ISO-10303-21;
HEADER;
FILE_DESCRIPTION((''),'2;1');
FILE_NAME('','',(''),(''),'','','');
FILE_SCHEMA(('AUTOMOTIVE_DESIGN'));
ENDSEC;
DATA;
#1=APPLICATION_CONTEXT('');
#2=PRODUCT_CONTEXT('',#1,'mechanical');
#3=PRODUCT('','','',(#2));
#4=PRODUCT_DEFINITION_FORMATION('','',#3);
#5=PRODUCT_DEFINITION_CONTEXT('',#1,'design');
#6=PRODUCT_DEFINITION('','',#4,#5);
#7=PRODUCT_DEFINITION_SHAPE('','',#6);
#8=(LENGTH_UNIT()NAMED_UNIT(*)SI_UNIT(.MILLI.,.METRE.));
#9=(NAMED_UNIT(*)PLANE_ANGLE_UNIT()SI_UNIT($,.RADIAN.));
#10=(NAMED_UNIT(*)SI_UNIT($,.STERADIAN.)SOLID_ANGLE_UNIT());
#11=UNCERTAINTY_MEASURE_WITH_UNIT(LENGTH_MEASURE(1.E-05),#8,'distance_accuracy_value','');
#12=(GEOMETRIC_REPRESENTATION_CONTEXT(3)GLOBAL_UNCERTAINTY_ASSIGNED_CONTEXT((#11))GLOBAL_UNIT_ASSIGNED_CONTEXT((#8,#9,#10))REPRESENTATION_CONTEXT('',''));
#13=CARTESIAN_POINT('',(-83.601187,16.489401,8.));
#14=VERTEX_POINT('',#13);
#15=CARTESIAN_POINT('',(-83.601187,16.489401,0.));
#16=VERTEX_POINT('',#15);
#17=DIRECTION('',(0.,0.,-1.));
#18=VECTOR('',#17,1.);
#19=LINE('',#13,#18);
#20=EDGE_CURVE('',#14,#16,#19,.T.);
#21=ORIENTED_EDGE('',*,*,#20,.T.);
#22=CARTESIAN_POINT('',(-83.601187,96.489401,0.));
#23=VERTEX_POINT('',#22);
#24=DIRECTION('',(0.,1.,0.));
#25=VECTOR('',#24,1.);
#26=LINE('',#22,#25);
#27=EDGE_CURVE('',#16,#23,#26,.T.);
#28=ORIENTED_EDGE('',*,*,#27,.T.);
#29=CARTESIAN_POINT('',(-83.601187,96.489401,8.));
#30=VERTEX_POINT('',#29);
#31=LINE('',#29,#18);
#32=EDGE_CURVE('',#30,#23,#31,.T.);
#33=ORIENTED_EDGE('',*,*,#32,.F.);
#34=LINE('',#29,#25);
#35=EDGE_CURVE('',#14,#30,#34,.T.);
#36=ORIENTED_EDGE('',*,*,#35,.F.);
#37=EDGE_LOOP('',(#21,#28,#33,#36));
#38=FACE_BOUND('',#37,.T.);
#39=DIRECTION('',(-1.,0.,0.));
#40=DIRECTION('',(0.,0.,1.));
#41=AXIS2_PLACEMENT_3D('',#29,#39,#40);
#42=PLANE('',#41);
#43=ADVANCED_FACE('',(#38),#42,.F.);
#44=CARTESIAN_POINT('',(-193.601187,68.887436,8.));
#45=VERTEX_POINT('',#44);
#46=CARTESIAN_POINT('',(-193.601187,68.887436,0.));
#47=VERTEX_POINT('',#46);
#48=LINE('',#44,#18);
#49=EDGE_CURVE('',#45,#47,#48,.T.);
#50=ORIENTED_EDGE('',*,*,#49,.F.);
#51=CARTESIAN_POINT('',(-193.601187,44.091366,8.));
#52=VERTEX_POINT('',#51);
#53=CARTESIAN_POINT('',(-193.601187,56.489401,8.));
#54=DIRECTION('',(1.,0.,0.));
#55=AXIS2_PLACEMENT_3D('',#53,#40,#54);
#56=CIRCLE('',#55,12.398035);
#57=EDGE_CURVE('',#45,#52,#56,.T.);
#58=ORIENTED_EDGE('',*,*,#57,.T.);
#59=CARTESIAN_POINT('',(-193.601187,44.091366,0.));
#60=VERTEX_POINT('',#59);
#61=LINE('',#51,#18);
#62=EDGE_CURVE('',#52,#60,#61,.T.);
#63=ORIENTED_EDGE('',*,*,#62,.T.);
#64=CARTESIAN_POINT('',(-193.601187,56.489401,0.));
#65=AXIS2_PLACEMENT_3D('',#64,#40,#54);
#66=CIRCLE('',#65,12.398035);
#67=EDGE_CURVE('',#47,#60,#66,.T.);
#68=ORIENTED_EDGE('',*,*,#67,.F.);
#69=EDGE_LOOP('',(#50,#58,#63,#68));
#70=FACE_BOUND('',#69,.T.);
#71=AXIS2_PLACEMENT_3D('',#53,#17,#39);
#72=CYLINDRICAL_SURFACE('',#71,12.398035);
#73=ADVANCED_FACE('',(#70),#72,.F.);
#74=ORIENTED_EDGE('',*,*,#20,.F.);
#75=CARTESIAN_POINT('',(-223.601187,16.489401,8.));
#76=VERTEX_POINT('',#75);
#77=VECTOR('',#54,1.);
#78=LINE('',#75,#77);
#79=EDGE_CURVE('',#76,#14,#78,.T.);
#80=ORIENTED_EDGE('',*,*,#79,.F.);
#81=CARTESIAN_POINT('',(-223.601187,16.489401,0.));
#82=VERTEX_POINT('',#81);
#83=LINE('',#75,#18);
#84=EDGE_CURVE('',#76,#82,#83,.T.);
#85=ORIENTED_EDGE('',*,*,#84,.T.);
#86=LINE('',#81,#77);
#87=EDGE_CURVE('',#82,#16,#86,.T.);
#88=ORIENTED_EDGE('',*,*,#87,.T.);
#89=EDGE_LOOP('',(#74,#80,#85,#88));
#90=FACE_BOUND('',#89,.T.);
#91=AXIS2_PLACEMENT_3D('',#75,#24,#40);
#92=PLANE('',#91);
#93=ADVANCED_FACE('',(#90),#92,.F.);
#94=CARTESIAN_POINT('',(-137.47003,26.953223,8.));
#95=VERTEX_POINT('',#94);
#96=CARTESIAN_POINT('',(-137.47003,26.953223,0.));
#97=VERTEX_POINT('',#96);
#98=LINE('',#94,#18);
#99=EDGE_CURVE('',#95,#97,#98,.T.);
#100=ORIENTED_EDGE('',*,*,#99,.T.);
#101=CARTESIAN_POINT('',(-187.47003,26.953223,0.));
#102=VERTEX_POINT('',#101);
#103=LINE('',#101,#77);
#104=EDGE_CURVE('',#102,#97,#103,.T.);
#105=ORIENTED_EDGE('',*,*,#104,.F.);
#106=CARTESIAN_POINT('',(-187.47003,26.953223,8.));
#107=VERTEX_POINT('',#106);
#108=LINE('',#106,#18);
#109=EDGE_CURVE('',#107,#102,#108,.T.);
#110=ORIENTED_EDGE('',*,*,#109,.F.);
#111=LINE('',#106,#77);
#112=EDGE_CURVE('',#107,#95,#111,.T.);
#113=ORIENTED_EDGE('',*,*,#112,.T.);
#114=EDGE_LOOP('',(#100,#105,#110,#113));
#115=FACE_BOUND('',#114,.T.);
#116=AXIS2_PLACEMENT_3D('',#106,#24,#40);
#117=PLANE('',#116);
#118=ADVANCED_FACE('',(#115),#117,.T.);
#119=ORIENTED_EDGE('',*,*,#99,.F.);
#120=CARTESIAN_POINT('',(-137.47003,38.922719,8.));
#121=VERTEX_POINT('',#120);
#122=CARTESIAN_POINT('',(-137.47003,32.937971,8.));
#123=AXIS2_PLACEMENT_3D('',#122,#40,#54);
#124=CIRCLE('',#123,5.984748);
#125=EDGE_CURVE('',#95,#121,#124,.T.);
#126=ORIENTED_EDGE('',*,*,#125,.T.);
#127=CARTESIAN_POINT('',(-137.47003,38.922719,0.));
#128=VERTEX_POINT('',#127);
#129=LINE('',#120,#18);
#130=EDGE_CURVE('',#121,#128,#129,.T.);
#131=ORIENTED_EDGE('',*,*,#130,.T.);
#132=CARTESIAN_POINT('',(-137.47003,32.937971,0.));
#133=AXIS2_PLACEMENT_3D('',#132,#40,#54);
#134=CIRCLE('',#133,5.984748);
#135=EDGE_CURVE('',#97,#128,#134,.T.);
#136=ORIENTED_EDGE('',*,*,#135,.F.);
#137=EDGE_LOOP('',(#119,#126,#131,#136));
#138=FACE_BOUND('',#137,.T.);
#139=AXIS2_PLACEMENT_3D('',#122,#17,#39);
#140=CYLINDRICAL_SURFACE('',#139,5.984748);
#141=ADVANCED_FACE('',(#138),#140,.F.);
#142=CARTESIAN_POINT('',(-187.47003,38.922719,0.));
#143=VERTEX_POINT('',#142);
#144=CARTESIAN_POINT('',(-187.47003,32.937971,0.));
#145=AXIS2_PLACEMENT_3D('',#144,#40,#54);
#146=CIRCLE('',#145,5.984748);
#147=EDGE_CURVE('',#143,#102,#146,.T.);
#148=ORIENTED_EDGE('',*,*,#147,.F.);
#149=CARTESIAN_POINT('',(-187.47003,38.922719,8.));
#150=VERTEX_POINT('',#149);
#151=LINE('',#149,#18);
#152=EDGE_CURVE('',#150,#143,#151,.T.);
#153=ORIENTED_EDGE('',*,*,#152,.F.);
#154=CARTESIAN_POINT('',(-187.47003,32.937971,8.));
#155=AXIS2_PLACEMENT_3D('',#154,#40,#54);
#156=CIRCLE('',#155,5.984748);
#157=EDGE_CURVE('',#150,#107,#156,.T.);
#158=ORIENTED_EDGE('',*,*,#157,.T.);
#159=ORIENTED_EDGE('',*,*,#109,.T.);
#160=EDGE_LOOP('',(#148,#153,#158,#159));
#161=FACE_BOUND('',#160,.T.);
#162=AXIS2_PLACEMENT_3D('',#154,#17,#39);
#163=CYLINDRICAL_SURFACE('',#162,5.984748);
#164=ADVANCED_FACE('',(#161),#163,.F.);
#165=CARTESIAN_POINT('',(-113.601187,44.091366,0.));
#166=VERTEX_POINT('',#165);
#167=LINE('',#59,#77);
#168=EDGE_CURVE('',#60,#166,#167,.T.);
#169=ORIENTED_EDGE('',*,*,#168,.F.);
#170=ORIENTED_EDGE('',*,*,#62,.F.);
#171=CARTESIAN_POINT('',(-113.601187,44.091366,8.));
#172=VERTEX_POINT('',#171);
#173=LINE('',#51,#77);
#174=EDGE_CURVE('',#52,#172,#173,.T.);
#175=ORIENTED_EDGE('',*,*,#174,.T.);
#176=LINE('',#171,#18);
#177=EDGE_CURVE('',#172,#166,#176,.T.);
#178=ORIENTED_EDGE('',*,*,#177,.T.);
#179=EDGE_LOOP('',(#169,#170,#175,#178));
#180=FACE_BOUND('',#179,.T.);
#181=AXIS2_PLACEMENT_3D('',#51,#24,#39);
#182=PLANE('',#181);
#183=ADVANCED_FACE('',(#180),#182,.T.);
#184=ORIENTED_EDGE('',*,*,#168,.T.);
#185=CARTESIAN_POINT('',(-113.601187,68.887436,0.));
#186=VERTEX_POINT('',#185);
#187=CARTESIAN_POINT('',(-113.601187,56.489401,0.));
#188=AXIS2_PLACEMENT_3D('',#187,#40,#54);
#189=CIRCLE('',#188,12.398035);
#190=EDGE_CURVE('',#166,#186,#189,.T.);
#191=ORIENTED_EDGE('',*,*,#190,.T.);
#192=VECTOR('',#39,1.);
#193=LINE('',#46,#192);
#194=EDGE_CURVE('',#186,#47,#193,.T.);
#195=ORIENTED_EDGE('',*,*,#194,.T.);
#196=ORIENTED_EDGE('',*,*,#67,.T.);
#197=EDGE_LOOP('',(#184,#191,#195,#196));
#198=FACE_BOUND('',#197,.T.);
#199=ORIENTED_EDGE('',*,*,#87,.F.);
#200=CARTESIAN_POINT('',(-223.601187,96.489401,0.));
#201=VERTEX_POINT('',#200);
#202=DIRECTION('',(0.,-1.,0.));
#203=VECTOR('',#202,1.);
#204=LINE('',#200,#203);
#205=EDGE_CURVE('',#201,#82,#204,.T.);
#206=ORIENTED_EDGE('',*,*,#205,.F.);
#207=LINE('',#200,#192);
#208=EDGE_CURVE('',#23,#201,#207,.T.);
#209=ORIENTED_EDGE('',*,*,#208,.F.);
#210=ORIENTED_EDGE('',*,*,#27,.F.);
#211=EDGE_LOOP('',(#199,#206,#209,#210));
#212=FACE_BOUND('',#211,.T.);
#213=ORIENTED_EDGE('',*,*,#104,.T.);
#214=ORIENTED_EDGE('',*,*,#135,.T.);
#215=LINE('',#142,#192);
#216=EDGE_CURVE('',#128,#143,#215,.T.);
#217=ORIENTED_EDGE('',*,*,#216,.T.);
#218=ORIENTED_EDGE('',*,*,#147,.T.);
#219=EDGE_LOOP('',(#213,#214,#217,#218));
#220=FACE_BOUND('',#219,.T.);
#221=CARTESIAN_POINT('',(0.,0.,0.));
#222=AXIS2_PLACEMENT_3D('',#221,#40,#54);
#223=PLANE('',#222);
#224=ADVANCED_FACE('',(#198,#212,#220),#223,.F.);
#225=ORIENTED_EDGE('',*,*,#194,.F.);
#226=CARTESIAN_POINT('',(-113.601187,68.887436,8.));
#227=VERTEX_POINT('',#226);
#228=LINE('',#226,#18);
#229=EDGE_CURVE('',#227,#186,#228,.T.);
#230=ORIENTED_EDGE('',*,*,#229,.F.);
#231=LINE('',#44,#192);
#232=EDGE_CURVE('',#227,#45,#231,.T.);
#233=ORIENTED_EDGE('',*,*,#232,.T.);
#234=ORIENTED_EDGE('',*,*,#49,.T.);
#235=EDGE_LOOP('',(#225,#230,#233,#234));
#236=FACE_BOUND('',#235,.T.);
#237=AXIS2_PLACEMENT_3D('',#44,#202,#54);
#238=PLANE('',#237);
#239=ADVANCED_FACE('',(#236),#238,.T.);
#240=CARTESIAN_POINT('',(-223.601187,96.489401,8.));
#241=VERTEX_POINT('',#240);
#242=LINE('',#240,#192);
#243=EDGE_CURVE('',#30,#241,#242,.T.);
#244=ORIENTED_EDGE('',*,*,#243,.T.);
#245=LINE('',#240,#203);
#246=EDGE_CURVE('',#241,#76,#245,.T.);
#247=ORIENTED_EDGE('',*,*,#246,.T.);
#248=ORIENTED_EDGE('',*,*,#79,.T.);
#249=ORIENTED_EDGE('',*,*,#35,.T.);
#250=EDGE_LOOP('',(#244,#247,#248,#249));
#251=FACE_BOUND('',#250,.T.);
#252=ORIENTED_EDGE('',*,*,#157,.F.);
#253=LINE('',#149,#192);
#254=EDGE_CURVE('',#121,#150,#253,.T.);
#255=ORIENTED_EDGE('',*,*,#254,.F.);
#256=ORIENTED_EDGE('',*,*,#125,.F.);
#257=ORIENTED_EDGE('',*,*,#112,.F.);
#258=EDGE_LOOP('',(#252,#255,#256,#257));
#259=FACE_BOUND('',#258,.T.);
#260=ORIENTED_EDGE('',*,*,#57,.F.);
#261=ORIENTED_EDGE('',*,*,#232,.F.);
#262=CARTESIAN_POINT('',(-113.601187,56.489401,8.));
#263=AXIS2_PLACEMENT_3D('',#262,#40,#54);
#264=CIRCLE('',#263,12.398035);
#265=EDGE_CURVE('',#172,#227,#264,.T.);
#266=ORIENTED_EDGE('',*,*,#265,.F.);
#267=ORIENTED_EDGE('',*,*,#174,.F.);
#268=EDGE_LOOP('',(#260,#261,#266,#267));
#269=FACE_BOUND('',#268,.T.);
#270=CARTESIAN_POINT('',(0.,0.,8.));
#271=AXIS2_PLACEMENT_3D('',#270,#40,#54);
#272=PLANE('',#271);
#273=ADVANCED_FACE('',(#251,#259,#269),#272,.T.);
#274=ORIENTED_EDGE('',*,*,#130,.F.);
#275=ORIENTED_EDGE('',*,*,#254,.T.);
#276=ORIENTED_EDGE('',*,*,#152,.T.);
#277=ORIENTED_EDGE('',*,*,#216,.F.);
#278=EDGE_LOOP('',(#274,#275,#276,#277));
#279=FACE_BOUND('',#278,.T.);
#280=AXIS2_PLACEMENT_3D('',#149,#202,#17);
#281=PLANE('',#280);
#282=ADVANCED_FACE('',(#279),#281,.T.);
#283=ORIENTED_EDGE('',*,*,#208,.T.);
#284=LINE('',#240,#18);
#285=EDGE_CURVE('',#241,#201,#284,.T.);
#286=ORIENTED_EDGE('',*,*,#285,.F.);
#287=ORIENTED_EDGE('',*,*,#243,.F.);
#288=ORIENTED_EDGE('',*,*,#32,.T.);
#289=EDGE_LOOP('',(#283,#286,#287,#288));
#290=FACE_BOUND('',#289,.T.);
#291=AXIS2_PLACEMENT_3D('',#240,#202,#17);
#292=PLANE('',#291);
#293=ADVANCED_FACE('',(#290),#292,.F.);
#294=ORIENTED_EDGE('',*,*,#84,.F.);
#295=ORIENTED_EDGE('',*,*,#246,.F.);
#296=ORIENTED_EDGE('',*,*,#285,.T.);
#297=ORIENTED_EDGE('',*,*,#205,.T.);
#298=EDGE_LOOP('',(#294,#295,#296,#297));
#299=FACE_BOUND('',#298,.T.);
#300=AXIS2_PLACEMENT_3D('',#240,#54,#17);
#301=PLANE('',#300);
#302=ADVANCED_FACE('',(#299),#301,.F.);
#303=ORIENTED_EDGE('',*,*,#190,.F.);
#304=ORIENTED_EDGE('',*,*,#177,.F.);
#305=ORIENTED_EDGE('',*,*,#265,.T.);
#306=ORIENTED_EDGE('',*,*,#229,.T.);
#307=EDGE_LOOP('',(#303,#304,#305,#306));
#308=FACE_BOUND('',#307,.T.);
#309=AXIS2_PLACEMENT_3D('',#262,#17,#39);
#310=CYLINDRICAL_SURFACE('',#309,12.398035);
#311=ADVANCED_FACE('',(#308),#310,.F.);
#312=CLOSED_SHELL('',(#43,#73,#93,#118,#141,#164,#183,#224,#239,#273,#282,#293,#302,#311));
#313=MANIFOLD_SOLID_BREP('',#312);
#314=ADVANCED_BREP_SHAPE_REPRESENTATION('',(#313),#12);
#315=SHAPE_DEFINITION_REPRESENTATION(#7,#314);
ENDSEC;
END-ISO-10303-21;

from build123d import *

# Parameters (mm, degrees)
ESQUISSE8_W        = 140
ESQUISSE8_H        = 80
BOSS_EXTRU_7_DEPTH = 8


with BuildPart() as part:
    # Esquisse8 → Boss.-Extru.7 (new body)
    with BuildSketch(Plane.XY):
        with Locations((-153.601186705, 56.489400981)):
            Rectangle(ESQUISSE8_W, ESQUISSE8_H)
        with BuildLine():
            Line((-193.601186705, 68.887436176), (-113.601186705, 68.887436176))
            ThreePointArc((-113.601186705, 68.887436176), (-101.203151511, 56.489400981), (-113.601186705, 44.091365787))
            Line((-113.601186705, 44.091365787), (-193.601186705, 44.091365787))
            ThreePointArc((-193.601186705, 44.091365787), (-205.9992219, 56.489400981), (-193.601186705, 68.887436176))
        make_face(mode=Mode.SUBTRACT)
        with BuildLine():
            Line((-187.470030447, 38.922719402), (-137.470030447, 38.922719402))
            ThreePointArc((-137.470030447, 38.922719402), (-131.485282002, 32.937970956), (-137.470030447, 26.953222511))
            Line((-137.470030447, 26.953222511), (-187.470030447, 26.953222511))
            ThreePointArc((-187.470030447, 26.953222511), (-193.454778893, 32.937970956), (-187.470030447, 38.922719402))
        make_face(mode=Mode.SUBTRACT)
    extrude(amount=BOSS_EXTRU_7_DEPTH)


solid = part.part
